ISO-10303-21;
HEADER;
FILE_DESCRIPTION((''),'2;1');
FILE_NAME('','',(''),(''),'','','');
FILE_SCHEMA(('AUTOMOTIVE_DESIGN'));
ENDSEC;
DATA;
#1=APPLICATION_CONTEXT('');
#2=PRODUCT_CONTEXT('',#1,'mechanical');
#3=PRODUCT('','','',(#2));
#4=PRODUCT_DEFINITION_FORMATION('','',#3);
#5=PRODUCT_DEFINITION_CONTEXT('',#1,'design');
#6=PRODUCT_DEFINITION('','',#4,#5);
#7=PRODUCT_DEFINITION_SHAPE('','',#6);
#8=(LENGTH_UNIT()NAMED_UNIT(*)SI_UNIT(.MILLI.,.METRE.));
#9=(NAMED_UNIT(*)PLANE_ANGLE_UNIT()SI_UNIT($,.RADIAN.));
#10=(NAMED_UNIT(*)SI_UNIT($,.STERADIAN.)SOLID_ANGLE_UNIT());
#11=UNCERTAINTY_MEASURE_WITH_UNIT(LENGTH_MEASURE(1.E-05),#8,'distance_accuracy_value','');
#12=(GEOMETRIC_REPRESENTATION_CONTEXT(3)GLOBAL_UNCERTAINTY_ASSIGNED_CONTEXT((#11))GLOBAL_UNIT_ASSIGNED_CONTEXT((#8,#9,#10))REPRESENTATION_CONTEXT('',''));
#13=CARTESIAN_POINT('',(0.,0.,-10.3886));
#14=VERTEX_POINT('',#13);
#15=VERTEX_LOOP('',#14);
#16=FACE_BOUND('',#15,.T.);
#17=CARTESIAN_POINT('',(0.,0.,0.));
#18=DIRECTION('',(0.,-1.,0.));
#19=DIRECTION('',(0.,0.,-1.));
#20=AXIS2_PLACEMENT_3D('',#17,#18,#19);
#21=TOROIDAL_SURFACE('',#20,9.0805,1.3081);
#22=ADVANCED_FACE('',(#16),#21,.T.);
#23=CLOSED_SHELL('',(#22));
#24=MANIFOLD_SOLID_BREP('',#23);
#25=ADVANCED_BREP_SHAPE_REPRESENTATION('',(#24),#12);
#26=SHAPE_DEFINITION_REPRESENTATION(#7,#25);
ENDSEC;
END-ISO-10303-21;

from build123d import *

# Parameters (mm, degrees)
SKETCH2_R = 1.3081


with BuildPart() as part:
    # Sweep1: sweep along a path in Sketch1
    with BuildLine(Plane(origin=(0, 0, 0), x_dir=(1, 0, 0), z_dir=(0, 1, 0))) as sweep1_path:
        CenterArc((0, 0), 7.7724, 0, 360)
    # Sketch2 → Sweep1 (sweep)
    with BuildSketch(Plane.XY):
        with Locations((-9.0805, 0)):
            Circle(SKETCH2_R)
    sweep(path=sweep1_path.line)


solid = part.part
